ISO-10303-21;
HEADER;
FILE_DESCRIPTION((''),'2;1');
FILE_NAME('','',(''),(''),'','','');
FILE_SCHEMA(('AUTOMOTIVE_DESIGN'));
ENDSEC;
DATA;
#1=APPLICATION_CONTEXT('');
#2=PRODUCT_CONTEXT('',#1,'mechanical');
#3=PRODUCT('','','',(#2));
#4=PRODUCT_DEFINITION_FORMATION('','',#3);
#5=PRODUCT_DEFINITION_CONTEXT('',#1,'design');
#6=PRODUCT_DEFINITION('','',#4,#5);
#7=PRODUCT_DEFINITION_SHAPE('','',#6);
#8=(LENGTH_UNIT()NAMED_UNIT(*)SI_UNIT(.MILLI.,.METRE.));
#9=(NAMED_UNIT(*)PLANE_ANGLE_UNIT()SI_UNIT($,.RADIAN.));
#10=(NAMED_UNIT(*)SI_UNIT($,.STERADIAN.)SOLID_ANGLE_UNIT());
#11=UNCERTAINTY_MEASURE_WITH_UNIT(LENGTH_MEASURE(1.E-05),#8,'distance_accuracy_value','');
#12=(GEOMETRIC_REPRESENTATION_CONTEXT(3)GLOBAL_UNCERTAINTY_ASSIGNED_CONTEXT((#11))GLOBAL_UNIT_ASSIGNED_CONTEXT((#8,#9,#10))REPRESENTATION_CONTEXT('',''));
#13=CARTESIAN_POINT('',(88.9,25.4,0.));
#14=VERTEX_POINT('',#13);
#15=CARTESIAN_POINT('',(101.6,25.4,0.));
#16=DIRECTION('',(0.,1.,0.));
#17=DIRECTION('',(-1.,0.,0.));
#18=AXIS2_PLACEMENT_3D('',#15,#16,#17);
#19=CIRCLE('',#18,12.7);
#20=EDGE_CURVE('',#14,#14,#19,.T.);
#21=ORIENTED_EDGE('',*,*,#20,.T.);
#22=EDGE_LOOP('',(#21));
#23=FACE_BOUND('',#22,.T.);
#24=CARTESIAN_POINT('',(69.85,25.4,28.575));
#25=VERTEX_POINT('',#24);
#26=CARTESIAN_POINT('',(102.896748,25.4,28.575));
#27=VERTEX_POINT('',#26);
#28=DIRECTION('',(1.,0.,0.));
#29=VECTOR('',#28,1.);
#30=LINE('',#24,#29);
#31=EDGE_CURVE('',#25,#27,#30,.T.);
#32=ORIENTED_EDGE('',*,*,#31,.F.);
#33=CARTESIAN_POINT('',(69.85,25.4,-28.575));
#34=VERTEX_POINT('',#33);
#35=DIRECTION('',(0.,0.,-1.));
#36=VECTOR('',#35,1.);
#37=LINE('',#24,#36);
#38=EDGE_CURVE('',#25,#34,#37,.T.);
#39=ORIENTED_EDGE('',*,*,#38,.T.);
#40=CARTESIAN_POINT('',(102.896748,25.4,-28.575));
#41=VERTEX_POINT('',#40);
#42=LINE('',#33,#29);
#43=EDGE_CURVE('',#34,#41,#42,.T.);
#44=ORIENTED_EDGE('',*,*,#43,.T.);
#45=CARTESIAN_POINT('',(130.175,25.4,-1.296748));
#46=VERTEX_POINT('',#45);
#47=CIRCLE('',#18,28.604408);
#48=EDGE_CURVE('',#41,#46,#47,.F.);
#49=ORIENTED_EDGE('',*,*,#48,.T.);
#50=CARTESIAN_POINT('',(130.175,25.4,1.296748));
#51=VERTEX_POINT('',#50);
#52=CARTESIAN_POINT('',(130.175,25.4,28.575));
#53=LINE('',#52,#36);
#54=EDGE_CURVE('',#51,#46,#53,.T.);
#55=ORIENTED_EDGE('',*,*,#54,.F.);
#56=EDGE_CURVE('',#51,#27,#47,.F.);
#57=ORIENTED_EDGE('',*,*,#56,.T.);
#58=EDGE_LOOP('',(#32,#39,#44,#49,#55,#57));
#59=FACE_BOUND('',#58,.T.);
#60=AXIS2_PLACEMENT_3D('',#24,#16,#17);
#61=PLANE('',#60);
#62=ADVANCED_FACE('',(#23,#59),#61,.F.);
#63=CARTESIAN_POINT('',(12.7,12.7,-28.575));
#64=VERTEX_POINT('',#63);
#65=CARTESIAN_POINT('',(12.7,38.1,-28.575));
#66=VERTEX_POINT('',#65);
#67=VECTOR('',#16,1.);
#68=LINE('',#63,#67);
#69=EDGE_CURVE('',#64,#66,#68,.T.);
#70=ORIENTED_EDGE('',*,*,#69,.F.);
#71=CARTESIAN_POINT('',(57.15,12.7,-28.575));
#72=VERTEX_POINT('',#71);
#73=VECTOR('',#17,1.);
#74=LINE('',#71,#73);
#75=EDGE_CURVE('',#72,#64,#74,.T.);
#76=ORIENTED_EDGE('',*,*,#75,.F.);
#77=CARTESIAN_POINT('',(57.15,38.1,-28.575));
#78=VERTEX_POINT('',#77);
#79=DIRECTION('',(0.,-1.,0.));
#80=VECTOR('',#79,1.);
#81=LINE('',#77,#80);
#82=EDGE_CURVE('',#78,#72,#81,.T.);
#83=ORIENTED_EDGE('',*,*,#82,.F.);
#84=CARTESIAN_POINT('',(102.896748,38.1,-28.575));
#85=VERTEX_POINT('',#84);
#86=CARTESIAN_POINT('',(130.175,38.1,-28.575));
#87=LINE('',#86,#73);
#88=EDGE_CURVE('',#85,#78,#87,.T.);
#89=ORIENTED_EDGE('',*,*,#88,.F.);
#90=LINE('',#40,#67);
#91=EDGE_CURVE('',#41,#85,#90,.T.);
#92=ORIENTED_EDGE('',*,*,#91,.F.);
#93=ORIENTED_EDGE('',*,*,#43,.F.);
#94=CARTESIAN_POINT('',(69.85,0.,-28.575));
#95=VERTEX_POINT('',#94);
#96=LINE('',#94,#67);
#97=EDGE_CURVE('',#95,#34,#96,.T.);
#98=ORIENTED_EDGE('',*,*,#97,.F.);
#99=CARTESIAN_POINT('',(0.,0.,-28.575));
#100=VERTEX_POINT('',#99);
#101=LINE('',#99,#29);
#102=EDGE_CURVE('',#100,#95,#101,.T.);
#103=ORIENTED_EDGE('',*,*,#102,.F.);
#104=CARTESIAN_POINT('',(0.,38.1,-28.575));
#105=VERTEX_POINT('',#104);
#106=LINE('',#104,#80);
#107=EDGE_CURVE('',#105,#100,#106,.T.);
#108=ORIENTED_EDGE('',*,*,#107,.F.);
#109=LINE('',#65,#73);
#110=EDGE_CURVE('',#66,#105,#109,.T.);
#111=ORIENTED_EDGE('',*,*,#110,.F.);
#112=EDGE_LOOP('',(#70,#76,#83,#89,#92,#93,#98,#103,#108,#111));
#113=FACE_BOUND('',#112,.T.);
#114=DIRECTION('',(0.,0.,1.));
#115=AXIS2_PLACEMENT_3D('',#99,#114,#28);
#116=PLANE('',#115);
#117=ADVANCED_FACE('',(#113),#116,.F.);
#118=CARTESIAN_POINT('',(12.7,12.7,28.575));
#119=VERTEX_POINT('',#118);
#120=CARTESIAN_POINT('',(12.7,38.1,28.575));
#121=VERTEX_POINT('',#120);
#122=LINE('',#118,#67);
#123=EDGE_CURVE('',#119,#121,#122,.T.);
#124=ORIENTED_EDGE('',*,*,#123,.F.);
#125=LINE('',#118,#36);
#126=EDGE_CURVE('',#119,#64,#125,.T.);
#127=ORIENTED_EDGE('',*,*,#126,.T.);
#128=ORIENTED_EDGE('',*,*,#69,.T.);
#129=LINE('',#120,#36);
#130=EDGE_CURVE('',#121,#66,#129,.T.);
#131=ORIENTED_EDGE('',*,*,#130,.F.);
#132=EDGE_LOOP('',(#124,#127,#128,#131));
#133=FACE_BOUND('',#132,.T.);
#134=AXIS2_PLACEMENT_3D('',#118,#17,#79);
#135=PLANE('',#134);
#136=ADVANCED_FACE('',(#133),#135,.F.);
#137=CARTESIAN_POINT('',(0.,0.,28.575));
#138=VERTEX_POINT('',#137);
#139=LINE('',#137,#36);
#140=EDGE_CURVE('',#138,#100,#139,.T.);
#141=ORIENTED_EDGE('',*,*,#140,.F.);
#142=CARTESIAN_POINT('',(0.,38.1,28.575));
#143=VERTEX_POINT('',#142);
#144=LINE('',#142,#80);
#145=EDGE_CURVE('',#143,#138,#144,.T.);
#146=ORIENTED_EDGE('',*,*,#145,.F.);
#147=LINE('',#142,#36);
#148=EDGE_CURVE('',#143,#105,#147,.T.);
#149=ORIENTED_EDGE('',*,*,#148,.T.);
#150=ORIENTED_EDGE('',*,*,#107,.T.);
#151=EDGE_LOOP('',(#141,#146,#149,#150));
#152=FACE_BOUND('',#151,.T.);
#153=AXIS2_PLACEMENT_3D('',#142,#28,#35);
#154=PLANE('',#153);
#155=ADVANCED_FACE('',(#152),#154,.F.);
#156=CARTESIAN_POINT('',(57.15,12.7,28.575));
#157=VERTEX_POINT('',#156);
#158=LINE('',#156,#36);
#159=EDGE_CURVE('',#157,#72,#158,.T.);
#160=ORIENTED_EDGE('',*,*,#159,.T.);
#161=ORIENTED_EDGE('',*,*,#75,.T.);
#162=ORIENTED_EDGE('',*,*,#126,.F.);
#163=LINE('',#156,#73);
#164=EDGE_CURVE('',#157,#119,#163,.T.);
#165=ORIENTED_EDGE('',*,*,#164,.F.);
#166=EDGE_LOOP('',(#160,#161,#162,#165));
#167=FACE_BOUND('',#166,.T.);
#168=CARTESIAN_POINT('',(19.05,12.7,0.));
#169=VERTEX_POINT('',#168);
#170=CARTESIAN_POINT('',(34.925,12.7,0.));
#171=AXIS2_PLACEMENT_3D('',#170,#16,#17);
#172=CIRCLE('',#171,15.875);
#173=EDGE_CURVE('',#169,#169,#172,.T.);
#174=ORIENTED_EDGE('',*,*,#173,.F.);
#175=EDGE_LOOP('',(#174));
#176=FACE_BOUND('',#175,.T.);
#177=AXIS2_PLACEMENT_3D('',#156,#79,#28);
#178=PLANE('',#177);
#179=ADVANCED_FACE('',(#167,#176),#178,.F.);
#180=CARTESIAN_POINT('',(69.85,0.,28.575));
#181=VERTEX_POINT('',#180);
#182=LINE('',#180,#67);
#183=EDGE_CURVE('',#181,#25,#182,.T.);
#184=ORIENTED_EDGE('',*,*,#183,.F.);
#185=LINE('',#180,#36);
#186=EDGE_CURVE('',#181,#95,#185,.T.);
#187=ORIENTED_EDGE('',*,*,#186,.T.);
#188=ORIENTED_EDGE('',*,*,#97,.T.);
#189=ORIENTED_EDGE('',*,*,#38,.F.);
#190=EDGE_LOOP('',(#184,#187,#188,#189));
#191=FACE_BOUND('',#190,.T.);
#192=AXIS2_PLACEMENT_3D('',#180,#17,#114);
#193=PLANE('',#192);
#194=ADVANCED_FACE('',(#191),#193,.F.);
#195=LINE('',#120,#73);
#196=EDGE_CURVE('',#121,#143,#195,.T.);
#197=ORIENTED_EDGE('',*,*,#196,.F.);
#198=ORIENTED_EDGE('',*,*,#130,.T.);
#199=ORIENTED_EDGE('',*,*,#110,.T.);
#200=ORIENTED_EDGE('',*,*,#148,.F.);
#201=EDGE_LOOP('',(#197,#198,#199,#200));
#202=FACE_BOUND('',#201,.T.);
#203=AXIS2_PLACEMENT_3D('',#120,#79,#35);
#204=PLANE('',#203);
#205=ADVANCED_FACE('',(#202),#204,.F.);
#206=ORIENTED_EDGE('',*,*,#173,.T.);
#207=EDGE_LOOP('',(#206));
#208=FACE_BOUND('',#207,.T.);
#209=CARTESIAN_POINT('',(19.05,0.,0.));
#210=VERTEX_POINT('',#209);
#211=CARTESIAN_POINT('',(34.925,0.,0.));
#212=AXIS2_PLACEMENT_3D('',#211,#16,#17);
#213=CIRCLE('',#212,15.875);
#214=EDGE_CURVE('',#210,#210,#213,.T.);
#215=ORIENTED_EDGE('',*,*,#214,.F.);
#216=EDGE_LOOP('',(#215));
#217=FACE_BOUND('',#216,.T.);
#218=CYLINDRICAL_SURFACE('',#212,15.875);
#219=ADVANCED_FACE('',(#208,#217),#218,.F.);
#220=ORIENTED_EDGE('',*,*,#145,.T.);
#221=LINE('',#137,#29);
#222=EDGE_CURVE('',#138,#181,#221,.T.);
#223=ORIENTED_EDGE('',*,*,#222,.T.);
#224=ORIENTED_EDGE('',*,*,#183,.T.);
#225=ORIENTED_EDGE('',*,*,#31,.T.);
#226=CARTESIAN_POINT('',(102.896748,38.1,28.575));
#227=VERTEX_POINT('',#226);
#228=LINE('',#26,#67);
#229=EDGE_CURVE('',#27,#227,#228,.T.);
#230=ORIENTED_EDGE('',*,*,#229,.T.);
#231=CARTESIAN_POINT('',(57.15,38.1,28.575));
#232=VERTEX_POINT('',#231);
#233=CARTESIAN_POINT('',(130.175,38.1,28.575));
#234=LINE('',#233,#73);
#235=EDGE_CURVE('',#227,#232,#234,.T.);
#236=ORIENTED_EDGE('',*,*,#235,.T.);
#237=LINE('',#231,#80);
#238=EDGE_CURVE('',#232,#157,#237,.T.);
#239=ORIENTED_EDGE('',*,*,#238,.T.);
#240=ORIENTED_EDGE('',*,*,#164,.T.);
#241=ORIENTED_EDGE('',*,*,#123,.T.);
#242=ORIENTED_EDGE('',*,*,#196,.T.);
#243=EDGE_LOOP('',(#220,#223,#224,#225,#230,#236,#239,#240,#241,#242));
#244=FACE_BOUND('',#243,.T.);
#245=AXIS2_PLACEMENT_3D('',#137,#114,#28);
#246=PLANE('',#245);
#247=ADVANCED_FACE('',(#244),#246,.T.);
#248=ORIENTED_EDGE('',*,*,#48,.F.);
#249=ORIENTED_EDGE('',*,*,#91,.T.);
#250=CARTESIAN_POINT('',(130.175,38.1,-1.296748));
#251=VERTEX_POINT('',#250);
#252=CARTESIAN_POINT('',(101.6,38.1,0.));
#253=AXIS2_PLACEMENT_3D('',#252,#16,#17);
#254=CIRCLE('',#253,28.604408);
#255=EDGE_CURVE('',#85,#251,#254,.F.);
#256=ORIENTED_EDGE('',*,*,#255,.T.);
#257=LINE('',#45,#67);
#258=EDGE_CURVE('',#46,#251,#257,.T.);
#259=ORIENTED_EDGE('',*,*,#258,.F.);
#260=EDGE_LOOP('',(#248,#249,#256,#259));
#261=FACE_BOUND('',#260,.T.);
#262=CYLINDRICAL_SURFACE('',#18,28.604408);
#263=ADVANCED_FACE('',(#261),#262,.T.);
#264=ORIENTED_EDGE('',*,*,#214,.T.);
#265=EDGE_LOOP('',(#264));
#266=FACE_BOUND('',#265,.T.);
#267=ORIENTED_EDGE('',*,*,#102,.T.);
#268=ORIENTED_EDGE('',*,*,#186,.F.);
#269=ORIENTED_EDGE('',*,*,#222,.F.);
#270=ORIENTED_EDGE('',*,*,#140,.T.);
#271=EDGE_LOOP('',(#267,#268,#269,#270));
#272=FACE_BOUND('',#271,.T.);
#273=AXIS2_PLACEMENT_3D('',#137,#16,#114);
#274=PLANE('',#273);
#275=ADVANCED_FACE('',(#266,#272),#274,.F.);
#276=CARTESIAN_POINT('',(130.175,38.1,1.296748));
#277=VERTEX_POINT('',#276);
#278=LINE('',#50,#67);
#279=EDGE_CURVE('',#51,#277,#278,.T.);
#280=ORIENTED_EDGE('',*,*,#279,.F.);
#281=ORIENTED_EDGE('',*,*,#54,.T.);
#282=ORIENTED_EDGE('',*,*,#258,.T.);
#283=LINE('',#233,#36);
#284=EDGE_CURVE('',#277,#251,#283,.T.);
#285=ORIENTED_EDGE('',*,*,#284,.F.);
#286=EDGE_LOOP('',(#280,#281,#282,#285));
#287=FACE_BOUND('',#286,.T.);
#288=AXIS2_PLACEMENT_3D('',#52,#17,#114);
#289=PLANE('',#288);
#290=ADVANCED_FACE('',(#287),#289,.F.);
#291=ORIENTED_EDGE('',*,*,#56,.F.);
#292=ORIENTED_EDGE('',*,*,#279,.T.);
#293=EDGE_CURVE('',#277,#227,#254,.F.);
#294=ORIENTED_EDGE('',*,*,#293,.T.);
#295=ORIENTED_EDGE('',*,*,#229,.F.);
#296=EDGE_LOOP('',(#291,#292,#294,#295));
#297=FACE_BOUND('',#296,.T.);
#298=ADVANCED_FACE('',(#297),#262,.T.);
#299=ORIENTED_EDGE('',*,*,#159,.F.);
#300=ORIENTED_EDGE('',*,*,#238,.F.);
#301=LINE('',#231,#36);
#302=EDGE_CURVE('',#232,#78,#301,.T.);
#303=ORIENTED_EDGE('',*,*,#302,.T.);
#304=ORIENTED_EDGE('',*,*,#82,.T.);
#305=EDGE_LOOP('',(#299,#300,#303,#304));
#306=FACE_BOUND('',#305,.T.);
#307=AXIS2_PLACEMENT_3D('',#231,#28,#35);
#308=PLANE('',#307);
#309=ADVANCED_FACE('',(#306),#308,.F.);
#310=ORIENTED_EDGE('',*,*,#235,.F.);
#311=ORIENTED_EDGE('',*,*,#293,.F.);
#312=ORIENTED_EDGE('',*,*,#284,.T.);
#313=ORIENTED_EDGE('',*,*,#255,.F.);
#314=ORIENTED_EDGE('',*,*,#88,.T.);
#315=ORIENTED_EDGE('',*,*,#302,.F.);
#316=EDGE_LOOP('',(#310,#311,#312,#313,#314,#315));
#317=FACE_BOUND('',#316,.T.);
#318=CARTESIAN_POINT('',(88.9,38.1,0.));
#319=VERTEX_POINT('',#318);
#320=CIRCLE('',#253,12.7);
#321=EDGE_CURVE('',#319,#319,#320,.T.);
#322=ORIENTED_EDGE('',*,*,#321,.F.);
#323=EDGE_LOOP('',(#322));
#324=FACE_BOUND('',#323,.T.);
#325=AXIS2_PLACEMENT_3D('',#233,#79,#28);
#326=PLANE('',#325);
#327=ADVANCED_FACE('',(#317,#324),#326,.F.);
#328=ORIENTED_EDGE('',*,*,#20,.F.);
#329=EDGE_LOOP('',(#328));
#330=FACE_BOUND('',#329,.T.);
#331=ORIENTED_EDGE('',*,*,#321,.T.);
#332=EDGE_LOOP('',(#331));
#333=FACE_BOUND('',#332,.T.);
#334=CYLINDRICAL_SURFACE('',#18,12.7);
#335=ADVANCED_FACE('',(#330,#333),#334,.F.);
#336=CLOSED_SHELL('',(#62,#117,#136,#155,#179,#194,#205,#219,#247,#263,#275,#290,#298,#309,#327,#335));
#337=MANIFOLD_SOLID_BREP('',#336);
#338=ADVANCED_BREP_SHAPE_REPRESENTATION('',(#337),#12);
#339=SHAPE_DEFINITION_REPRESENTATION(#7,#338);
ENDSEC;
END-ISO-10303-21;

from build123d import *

# Parameters (mm, degrees)
BOSS_EXTRUDE1_DEPTH = 28.575
SKETCH3_R           = 15.875
CUT_EXTRUDE1_DEPTH  = 12.7
SKETCH4_R           = 12.7
CUT_EXTRUDE2_DEPTH  = 12.7


with BuildPart() as part:
    # Sketch2 → Boss-Extrude1 (new, symmetric)
    with BuildSketch(Plane.XY):
        Polygon((0, 0), (69.85, 0), (69.85, 25.4), (130.175, 25.4), (130.175, 38.1), (57.15, 38.1), (57.15, 12.7), (12.7, 12.7), (12.7, 38.1), (0, 38.1), align=None)
    extrude(amount=BOSS_EXTRUDE1_DEPTH, both=True)

    # Sketch3 → Cut-Extrude1 (cut)
    with BuildSketch(Plane(origin=(0, 12.7, 0), x_dir=(1, 0, 0), z_dir=(0, 1, 0))):
        with Locations(Location((34.925, 0, 0), (0, 0, 180))):
            Circle(SKETCH3_R)
    extrude(amount=-CUT_EXTRUDE1_DEPTH, mode=Mode.SUBTRACT)

    # Sketch4 → Cut-Extrude2 (cut)
    with BuildSketch(Plane(origin=(0, 38.1, 0), x_dir=(1, 0, 0), z_dir=(0, 1, 0))):
        with Locations(Location((101.6, 0, 0), (0, 0, 180))):
            Circle(SKETCH4_R)
        with BuildLine():
            Line((130.175, 28.575), (102.896747677, 28.575))
            ThreePointArc((102.896747677, 28.575), (121.826371147, 20.226371147), (130.175, 1.296747677))
            Line((130.175, 1.296747677), (130.175, 28.575))
        make_face()
        with BuildLine():
            Line((130.175, -28.575), (130.175, -1.296747677))
            ThreePointArc((130.175, -1.296747677), (121.826371147, -20.226371147), (102.896747677, -28.575))
            Line((102.896747677, -28.575), (130.175, -28.575))
        make_face()
    extrude(amount=-CUT_EXTRUDE2_DEPTH, mode=Mode.SUBTRACT)


solid = part.part
